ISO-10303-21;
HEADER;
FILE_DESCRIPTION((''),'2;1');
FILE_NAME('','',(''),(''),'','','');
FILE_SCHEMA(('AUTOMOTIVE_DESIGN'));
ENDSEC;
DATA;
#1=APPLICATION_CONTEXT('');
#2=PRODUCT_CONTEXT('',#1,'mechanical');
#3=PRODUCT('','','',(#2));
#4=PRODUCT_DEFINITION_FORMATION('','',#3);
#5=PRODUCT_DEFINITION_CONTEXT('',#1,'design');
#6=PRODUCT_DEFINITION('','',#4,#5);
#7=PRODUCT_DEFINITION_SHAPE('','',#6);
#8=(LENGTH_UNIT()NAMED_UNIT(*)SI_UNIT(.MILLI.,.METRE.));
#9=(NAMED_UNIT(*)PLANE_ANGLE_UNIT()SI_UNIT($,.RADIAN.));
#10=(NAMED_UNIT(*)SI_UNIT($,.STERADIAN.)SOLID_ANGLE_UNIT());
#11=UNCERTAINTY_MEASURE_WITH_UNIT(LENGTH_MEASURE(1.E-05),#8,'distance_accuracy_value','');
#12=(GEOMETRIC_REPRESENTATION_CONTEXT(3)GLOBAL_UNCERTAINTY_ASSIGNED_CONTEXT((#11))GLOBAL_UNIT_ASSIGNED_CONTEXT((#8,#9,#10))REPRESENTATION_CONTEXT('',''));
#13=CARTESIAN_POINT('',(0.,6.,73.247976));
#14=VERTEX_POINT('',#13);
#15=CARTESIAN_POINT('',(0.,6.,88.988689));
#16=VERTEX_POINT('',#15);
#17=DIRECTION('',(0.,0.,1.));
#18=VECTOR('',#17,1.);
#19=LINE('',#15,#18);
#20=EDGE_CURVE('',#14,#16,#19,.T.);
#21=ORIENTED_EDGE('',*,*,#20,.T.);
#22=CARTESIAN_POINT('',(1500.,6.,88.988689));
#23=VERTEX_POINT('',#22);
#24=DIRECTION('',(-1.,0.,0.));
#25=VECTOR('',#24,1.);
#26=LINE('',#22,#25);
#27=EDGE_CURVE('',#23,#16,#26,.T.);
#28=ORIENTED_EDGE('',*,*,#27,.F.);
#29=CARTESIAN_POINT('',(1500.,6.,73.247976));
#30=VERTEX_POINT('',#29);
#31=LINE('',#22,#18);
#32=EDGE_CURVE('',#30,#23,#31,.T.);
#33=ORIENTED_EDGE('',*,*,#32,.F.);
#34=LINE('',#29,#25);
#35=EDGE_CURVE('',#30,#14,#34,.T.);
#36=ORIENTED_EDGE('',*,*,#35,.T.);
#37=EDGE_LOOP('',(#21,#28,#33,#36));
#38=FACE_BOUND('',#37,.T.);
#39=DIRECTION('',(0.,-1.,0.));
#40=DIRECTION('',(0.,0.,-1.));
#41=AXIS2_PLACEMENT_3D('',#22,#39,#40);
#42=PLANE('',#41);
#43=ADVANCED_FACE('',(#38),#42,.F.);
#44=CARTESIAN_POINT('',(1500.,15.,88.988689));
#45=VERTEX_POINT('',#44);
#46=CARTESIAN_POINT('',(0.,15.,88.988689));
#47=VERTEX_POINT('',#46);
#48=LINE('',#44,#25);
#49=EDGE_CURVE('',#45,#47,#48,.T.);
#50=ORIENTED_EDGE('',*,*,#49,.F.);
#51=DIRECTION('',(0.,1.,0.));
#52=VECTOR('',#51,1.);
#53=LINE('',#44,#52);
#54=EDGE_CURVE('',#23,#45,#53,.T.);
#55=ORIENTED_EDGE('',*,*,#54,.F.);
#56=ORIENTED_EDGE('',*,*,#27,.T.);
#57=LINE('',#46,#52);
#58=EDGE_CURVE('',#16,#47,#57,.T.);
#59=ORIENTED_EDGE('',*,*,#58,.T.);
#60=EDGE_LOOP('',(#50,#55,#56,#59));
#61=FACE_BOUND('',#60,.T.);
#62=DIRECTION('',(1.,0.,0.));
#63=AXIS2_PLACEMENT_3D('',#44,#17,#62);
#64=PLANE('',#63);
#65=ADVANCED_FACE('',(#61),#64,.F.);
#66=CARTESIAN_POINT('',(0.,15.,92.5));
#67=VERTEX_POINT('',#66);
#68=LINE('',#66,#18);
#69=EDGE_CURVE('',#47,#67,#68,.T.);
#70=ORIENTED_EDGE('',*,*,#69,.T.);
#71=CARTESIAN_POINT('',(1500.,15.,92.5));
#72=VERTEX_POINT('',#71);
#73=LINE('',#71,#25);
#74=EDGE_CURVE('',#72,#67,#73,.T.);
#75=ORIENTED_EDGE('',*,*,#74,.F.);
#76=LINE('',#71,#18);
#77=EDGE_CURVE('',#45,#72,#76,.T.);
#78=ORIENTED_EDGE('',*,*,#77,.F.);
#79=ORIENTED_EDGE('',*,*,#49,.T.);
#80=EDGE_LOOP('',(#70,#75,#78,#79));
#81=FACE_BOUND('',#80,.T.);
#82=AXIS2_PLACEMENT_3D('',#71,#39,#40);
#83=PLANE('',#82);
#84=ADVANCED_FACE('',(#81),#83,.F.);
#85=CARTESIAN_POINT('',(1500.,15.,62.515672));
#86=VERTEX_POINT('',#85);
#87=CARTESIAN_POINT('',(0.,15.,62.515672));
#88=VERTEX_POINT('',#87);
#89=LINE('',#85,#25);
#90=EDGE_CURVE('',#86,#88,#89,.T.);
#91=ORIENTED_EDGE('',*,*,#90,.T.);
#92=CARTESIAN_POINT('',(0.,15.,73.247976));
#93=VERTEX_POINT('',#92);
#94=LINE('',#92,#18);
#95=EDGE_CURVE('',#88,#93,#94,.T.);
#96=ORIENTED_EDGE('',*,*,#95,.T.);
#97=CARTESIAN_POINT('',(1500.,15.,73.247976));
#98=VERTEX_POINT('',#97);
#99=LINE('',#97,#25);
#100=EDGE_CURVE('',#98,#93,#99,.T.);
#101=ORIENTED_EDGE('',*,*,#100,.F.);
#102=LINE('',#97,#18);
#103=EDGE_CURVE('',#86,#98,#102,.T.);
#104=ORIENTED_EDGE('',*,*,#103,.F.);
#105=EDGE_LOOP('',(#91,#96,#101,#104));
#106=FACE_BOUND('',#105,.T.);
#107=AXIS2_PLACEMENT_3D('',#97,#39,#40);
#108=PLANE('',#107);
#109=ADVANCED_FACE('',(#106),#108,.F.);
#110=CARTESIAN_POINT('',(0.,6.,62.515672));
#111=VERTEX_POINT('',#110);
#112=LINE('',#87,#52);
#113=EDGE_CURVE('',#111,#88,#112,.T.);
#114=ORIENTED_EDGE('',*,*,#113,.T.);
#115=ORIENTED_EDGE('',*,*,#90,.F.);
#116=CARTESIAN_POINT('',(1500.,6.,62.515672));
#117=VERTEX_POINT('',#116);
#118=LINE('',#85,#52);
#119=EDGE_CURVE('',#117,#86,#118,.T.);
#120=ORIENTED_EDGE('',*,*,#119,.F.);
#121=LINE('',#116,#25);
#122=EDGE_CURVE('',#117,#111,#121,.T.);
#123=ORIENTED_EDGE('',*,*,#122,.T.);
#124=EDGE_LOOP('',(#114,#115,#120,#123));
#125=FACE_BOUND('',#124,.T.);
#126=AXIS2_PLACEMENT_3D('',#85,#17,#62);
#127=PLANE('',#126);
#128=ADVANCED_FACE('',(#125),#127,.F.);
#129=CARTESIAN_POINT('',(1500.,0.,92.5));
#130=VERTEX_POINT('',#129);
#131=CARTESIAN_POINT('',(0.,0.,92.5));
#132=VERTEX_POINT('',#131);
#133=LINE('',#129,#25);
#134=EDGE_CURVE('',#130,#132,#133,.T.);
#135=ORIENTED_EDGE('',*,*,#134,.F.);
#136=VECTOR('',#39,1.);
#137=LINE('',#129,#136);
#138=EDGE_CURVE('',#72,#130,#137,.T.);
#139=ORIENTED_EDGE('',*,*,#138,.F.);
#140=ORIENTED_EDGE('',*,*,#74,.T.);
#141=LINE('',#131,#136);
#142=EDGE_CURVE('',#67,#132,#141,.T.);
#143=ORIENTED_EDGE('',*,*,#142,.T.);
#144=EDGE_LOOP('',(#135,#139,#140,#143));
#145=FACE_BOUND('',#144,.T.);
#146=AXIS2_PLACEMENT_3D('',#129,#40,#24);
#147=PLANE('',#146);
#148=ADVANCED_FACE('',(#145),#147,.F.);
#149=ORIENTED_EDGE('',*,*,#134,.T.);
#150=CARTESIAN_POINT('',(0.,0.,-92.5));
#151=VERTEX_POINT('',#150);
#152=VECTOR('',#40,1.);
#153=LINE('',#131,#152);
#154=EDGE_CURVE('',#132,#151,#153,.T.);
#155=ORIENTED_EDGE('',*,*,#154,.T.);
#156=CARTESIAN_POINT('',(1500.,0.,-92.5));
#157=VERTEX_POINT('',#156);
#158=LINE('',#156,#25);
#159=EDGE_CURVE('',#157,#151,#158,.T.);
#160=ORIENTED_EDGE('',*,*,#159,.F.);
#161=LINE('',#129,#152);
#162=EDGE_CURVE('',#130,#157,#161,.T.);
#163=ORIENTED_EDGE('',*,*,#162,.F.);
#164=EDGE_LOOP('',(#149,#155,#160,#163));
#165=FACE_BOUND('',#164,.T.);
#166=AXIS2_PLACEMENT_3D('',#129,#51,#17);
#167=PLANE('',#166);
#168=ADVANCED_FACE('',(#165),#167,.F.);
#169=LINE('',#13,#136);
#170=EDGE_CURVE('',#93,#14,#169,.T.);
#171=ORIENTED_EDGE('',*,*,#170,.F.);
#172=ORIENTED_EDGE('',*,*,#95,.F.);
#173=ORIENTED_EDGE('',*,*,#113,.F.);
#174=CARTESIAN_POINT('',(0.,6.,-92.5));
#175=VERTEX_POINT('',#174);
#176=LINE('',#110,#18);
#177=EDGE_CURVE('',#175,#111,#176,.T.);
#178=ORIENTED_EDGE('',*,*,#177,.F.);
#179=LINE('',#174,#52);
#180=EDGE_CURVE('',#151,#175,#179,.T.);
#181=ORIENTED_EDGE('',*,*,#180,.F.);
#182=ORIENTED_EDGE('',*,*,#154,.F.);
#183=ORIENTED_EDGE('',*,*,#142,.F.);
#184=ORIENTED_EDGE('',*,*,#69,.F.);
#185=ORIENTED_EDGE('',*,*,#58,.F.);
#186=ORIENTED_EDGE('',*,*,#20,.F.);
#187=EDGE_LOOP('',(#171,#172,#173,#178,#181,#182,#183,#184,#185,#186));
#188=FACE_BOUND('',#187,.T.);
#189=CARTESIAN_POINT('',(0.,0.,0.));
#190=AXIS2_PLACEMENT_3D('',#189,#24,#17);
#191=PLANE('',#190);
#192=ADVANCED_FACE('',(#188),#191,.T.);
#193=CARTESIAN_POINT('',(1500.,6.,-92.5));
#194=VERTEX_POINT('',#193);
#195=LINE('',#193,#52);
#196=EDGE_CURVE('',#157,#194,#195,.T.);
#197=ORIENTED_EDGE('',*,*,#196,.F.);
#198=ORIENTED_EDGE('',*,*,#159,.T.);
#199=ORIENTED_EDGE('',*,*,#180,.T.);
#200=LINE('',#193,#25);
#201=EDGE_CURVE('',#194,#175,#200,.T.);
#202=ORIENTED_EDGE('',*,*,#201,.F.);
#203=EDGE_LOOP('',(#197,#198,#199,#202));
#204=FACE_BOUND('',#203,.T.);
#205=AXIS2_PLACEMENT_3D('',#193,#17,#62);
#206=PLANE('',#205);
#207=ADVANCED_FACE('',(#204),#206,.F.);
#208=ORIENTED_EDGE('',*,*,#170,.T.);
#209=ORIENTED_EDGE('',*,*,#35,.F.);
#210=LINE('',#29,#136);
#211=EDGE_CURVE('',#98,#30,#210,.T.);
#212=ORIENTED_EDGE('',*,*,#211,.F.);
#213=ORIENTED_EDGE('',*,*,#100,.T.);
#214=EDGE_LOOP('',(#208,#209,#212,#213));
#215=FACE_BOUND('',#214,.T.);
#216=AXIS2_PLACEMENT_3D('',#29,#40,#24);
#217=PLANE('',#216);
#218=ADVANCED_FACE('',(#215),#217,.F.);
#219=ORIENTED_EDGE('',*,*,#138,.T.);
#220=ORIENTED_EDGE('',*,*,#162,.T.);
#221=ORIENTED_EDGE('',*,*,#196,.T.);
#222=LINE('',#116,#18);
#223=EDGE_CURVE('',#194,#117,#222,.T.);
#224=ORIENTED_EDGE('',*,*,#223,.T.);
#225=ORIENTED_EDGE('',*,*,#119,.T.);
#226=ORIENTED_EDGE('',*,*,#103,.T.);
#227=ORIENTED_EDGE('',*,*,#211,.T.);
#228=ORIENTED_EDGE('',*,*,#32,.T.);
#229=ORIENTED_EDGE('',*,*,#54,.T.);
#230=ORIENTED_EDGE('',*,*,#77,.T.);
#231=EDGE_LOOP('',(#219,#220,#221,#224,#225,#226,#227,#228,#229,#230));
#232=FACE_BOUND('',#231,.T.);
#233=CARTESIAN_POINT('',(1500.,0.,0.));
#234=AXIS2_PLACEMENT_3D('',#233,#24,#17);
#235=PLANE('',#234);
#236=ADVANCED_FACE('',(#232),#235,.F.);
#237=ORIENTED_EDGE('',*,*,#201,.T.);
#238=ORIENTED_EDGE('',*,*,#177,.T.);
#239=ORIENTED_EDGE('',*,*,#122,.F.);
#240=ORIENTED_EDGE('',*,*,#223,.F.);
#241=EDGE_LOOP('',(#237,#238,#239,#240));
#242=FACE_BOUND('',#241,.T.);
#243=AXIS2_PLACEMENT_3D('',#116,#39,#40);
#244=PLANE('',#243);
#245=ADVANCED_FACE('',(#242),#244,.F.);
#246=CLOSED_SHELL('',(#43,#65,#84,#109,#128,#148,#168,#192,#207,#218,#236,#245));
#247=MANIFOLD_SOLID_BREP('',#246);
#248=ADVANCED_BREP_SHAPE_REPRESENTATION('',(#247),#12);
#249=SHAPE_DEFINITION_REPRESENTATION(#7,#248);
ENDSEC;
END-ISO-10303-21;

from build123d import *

# Parameters (mm, degrees)
EXTRUDE_1_DEPTH = 1500


with BuildPart() as part:
    # Эскиз1 → Бобышка-Вытянуть1 (new body)
    with BuildSketch(Plane(origin=(0, 0, 0), x_dir=(0, 0, -1), z_dir=(1, 0, 0))):
        Polygon((-92.5, 0), (92.5, 0), (92.5, 6), (-62.515671886, 6), (-62.515671886, 15), (-73.247976073, 15), (-73.247976073, 6), (-88.98868888, 6), (-88.98868888, 15), (-92.5, 15), align=None)
    extrude(amount=EXTRUDE_1_DEPTH)


solid = part.part
